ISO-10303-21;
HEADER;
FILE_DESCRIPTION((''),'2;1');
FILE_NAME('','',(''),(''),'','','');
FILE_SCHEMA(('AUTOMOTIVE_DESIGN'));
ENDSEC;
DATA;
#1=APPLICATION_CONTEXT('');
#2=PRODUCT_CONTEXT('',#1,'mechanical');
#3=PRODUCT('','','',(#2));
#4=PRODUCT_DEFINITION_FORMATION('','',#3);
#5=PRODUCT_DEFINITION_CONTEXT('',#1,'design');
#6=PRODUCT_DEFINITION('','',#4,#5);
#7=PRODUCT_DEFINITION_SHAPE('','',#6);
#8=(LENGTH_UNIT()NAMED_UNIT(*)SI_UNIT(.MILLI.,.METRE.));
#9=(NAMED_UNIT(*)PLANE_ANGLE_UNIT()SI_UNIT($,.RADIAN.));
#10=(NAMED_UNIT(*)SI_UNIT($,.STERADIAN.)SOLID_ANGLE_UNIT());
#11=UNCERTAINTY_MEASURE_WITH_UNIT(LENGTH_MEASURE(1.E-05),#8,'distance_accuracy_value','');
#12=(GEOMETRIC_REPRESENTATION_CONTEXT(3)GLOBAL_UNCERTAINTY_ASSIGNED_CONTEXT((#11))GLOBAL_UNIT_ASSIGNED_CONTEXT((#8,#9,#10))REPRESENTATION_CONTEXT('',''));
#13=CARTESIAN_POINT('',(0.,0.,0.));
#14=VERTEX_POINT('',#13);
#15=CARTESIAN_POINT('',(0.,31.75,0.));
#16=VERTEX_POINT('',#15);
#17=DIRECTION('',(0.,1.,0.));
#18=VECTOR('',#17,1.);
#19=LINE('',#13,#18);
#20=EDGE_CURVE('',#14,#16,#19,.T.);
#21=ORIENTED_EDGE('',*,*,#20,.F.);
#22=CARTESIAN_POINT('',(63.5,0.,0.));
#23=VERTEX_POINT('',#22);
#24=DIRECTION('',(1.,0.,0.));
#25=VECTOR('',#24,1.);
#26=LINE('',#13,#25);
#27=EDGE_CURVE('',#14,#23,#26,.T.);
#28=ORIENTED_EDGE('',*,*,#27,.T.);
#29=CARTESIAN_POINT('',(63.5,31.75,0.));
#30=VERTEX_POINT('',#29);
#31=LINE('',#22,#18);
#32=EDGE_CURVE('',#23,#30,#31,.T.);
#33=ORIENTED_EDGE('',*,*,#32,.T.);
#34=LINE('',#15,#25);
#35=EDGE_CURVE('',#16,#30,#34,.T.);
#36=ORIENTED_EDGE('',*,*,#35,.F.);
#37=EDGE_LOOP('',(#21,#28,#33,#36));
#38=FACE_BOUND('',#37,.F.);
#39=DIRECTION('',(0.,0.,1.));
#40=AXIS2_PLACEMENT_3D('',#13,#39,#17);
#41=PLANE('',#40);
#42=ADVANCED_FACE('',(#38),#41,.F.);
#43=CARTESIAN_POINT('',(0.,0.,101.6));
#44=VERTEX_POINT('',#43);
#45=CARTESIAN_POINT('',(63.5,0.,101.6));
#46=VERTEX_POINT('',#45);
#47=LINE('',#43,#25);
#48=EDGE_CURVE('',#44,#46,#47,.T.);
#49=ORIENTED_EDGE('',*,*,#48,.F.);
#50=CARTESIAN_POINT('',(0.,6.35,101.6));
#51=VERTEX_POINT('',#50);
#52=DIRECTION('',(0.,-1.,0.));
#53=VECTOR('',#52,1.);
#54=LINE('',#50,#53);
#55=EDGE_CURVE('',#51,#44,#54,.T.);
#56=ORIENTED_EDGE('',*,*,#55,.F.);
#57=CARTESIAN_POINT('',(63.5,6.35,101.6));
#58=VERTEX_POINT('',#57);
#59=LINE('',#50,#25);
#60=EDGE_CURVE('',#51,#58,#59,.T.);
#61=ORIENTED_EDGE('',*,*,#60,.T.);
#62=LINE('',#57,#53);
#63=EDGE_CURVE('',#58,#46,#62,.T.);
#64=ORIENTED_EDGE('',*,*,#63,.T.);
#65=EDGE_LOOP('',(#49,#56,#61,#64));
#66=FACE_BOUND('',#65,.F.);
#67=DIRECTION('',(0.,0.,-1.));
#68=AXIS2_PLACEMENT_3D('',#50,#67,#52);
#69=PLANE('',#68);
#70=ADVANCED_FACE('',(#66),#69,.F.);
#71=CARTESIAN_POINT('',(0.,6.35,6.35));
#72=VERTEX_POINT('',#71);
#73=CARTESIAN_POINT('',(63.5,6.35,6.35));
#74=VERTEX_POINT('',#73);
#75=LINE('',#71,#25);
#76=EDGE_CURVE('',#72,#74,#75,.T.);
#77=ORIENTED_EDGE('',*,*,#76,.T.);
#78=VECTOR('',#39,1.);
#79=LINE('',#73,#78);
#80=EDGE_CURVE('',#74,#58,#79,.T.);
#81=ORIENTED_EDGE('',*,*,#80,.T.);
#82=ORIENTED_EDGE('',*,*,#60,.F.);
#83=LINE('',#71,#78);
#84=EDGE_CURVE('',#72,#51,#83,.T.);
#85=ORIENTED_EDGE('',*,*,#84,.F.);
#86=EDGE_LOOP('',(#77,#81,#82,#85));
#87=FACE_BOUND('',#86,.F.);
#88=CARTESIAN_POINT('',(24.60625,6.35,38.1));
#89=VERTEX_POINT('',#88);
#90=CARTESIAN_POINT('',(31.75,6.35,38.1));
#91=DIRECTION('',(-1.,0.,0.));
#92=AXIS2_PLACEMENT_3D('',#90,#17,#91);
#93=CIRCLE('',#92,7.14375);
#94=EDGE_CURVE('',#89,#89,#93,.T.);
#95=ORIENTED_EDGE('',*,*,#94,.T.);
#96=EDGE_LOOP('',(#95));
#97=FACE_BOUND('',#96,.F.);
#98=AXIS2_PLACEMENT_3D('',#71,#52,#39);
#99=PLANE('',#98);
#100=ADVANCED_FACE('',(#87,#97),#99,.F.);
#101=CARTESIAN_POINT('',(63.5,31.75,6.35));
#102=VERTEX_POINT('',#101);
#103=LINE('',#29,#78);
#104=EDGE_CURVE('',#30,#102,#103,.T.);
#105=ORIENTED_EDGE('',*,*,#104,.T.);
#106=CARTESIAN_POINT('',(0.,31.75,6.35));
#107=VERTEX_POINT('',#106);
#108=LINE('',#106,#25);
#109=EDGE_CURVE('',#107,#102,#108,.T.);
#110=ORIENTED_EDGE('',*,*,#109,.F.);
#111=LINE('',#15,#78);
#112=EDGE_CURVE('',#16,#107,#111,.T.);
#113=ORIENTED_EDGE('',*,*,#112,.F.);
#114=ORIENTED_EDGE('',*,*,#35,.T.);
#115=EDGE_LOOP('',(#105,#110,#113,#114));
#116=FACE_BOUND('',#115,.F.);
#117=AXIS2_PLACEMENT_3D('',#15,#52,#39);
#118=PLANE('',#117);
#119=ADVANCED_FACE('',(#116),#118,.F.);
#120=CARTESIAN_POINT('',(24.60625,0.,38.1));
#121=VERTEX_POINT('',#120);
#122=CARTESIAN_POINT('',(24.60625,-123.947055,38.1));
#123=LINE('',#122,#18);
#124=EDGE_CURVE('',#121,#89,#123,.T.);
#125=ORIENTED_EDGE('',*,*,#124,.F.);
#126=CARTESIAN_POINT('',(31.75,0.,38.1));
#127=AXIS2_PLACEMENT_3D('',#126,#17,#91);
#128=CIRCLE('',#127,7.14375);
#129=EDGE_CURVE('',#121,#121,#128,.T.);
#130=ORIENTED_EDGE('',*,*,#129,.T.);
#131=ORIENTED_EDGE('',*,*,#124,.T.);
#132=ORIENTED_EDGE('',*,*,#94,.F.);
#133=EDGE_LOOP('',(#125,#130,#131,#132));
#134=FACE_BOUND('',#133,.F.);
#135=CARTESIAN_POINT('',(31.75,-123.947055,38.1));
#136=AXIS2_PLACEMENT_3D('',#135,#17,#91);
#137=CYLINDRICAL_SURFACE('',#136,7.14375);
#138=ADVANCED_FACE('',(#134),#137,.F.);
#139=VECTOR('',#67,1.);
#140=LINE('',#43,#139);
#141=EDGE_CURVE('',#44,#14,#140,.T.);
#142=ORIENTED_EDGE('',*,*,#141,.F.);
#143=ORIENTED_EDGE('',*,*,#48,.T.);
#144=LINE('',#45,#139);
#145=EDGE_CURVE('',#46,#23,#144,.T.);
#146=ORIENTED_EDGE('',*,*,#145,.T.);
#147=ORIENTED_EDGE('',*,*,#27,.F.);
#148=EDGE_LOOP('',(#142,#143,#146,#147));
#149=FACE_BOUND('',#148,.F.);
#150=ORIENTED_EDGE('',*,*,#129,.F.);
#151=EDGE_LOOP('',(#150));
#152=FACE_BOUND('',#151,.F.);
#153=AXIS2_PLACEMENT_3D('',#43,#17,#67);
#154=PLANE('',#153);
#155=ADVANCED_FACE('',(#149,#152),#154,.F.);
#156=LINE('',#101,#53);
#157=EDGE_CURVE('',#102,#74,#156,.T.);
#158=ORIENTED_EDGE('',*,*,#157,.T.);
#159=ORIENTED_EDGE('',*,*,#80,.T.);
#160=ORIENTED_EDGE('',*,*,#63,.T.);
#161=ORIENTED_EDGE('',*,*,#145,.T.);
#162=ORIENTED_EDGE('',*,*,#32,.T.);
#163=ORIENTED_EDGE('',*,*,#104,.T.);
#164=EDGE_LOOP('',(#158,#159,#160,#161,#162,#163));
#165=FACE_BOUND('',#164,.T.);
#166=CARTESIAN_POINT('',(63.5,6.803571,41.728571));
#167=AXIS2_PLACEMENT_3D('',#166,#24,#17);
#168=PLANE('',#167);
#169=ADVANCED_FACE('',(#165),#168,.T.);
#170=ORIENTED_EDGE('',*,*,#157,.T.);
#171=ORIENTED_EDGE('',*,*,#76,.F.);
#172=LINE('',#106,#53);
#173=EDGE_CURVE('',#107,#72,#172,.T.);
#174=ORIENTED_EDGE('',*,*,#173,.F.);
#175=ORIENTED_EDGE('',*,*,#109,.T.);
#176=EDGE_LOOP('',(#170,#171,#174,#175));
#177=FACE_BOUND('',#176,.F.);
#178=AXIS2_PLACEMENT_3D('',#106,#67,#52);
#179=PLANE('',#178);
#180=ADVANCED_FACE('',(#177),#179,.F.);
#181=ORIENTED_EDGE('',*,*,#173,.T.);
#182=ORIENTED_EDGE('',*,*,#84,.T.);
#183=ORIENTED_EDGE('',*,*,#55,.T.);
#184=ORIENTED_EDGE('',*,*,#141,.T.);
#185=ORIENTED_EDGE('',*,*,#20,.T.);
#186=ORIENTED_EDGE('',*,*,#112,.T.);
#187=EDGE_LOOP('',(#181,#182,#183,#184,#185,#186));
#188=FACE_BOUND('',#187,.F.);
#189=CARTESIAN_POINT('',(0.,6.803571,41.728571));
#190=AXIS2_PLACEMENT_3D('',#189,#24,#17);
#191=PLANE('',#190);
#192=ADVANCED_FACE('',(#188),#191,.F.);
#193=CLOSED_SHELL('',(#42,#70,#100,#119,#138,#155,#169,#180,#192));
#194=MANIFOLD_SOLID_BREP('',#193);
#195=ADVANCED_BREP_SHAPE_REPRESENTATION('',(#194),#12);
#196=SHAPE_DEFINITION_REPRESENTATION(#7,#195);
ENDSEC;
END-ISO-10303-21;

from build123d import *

# Parameters (mm, degrees)
F1_DEPTH = 63.5
F3_D     = 14.2875


with BuildPart() as f1:
    # F0 (on Right) → F1 (new body)
    with BuildSketch(Plane.YZ):
        Polygon((0, 101.6), (0, 0), (31.75, 0), (31.75, 6.35), (6.35, 6.35), (6.35, 101.6), align=None)
    extrude(amount=F1_DEPTH)

    # F3 (through all)
    with Locations(Plane.XZ):
        with Locations((31.75, 38.1)):
            Hole(F3_D / 2)


solid = f1.part
